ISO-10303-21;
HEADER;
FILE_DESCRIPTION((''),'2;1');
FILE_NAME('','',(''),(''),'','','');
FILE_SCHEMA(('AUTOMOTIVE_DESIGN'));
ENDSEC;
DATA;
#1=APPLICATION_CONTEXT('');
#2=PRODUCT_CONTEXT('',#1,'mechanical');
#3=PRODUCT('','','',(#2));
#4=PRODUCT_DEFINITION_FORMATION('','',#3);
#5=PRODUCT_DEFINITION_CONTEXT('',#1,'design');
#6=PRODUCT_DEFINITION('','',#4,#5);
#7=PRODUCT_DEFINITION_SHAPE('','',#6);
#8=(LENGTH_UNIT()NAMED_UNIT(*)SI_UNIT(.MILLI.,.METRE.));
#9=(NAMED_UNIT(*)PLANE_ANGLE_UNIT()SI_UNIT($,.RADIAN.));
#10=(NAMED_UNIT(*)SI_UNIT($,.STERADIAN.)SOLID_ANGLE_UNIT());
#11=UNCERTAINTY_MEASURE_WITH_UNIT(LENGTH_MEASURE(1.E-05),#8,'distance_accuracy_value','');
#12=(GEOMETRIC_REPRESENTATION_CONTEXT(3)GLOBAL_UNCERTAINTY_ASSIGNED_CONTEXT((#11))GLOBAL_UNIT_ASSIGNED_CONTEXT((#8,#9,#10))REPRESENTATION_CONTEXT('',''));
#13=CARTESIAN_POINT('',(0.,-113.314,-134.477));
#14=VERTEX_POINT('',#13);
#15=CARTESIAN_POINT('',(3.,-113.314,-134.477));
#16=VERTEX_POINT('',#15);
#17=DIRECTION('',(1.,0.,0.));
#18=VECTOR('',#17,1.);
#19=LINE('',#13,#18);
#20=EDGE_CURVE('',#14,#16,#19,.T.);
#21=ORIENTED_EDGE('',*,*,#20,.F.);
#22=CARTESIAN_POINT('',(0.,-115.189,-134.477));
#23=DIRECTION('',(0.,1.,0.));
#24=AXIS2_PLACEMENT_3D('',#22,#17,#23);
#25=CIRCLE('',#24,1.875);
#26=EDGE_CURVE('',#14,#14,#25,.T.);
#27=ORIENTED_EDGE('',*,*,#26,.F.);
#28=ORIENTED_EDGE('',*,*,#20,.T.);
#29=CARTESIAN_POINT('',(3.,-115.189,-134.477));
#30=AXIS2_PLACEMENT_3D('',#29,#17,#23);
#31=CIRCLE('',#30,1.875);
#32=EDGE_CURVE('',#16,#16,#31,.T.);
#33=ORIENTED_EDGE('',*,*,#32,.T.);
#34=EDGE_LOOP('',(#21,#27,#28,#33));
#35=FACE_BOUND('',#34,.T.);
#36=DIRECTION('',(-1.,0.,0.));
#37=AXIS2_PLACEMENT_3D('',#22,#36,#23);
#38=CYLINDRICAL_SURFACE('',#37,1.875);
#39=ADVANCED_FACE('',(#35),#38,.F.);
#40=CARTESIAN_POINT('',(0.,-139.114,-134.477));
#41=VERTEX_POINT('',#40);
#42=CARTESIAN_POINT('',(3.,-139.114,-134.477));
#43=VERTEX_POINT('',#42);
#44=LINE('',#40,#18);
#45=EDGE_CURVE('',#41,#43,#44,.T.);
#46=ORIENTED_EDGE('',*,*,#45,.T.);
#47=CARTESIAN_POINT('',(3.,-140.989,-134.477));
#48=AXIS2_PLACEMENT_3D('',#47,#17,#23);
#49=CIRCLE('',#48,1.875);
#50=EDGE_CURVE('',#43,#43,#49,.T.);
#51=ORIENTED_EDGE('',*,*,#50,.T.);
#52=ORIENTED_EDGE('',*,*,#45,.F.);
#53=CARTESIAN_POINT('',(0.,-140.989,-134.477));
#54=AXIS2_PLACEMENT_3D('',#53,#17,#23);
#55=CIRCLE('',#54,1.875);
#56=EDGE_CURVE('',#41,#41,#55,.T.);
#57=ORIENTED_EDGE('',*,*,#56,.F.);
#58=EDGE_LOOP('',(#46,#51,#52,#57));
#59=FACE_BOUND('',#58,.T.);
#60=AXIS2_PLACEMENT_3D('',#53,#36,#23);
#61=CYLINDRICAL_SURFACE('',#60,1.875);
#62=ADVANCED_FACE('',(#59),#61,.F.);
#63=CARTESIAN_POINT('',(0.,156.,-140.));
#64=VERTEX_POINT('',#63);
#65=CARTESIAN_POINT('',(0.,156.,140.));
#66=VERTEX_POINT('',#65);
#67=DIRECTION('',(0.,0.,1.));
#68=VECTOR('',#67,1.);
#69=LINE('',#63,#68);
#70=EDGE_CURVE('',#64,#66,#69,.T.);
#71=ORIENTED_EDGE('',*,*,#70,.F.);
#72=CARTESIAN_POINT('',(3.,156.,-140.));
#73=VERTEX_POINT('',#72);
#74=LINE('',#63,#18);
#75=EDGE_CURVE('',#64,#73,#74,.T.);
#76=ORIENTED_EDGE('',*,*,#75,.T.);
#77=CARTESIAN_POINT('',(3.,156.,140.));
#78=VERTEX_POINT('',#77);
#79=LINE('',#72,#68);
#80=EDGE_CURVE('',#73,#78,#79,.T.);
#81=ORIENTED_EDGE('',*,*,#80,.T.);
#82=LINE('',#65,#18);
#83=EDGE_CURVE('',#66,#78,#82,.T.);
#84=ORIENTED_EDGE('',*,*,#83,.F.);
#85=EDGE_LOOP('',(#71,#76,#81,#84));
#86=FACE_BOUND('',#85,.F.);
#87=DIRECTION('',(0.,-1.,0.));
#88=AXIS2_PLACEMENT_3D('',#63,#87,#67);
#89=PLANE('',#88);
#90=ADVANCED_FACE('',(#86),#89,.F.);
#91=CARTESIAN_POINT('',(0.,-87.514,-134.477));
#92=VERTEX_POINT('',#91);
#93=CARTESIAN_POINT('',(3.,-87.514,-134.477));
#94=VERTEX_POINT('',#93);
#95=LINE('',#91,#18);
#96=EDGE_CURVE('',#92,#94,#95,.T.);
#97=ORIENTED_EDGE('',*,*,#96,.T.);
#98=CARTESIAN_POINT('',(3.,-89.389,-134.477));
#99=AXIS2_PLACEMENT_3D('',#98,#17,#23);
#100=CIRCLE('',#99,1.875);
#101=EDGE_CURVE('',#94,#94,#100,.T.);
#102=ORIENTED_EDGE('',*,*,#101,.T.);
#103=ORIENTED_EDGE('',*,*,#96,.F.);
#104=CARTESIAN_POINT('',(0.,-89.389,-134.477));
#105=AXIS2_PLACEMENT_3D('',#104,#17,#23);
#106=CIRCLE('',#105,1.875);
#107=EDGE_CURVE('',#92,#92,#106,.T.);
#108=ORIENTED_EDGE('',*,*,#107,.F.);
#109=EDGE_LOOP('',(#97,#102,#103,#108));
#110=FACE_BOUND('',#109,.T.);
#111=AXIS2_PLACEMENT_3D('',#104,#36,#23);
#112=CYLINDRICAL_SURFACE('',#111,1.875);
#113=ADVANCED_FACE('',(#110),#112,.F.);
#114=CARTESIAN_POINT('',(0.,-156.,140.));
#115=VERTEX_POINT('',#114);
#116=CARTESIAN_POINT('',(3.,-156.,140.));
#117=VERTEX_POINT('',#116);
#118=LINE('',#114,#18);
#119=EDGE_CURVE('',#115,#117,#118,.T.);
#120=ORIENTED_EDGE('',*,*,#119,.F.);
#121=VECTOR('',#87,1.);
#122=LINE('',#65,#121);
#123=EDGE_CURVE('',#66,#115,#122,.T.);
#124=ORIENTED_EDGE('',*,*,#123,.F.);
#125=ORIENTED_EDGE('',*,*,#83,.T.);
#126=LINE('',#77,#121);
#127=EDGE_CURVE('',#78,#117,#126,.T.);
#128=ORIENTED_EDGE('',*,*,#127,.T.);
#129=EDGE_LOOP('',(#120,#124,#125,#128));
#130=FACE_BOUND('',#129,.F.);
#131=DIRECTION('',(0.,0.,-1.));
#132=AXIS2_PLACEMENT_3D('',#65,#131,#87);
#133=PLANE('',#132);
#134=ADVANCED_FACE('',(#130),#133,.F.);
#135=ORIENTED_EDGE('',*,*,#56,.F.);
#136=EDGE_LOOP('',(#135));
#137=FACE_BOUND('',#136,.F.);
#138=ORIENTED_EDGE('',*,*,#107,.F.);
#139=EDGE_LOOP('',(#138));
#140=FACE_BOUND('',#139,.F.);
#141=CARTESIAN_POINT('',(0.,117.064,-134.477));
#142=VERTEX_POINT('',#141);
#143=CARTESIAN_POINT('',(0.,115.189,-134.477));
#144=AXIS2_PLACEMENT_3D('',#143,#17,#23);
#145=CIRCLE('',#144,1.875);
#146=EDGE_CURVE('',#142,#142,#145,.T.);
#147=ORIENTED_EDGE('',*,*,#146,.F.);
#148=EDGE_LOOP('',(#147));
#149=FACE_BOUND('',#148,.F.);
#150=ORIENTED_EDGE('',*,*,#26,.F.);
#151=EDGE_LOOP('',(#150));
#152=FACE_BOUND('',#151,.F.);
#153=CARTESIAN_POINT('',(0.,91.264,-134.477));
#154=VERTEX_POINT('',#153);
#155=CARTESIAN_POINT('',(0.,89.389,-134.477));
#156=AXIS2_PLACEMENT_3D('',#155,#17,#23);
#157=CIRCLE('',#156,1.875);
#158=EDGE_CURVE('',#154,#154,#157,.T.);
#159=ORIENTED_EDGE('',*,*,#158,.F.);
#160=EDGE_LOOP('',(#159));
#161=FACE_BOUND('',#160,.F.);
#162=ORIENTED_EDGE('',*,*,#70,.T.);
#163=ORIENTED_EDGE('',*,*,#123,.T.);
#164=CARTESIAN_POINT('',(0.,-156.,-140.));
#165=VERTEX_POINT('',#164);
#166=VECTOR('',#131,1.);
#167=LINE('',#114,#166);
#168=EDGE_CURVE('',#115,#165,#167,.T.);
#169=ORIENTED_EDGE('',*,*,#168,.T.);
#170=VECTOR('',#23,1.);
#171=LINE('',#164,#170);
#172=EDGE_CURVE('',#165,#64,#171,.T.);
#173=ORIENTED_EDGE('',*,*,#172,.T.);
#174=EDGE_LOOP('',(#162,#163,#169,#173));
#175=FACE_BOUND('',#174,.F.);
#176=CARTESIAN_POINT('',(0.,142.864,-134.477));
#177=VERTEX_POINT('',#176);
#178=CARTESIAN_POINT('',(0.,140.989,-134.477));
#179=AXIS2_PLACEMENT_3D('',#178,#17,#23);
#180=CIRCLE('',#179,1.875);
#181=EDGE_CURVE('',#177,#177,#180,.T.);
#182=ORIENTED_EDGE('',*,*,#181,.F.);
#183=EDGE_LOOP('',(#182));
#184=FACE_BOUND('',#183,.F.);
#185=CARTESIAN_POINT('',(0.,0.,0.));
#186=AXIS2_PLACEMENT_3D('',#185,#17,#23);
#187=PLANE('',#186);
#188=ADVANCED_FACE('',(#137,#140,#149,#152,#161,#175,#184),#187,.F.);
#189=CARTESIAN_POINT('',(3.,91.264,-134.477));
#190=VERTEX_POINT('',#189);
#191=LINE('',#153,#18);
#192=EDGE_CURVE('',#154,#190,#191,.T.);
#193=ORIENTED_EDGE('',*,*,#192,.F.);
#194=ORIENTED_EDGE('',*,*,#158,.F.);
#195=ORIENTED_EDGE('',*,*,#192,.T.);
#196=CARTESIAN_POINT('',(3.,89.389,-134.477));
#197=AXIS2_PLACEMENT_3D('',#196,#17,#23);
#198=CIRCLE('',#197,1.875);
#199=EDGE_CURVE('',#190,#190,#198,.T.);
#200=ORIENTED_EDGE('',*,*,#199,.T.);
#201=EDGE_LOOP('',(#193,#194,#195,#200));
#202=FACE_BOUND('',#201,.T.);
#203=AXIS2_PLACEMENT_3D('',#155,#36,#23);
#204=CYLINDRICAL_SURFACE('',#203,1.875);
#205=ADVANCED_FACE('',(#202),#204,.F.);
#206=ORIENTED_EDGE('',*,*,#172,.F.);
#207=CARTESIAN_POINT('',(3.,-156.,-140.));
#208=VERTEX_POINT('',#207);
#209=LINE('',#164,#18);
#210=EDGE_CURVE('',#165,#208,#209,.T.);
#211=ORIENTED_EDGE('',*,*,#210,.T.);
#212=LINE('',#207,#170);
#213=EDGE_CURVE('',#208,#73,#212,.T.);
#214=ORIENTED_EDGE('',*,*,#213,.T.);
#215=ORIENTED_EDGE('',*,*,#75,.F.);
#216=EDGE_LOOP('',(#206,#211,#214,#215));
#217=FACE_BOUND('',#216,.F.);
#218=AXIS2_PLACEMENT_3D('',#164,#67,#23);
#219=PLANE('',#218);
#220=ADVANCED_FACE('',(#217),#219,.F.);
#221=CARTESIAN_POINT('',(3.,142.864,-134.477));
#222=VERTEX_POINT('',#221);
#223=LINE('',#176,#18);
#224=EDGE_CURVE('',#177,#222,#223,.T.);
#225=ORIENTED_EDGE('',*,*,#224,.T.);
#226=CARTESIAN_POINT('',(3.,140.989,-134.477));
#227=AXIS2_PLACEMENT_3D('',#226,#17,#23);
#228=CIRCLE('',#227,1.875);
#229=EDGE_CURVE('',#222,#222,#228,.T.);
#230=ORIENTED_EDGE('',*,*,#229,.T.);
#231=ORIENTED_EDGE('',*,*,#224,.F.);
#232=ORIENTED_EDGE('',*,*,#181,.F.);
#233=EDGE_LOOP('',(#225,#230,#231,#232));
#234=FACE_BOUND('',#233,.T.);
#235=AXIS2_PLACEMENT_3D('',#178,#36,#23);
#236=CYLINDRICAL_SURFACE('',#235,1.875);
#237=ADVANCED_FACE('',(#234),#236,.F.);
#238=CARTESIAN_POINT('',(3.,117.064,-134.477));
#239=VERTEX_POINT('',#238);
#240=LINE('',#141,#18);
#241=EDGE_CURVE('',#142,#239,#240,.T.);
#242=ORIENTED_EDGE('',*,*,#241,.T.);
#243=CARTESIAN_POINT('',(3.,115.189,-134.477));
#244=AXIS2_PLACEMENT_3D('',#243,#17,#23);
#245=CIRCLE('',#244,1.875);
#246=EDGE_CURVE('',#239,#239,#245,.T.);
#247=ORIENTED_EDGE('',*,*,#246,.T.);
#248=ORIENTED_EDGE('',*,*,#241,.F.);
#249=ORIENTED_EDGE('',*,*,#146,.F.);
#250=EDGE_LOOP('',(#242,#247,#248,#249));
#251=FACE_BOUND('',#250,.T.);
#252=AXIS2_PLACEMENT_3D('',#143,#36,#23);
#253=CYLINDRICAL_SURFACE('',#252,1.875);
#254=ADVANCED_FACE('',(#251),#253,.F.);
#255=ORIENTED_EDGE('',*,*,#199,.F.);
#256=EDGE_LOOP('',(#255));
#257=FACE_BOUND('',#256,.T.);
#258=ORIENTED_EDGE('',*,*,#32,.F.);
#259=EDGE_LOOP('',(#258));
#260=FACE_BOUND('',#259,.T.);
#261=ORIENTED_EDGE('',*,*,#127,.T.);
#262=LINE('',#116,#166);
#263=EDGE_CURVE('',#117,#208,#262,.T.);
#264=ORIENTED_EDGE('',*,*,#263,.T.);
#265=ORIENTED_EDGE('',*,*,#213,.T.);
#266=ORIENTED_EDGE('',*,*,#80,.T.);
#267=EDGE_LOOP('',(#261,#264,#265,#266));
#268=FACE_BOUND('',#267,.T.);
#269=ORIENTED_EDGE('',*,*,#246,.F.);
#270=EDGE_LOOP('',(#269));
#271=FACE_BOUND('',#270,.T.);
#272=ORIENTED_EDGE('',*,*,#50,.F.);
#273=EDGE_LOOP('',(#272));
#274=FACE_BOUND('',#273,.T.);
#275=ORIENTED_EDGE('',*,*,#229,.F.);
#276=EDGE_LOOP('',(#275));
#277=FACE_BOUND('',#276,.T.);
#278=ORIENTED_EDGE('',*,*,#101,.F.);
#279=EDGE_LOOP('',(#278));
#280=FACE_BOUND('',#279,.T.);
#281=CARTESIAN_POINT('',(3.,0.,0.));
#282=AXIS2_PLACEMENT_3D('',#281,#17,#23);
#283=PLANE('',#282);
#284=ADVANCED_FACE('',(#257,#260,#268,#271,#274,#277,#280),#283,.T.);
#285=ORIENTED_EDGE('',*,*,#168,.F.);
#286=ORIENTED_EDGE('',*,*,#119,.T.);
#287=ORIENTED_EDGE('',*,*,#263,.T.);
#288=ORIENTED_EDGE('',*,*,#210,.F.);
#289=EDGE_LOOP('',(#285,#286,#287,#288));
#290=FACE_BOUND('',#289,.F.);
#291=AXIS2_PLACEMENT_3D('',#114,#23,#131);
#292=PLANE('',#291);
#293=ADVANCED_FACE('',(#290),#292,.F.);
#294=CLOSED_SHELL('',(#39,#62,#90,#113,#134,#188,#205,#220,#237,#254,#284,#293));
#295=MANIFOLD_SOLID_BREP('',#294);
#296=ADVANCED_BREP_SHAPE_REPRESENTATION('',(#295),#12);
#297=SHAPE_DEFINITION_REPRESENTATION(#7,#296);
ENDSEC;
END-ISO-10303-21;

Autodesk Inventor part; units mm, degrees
ref_plane "YZ Plane" through (0, 0, 0) normal (1, 0, 0) x (0, 1, 0)
ref_plane "XZ Plane" through (0, 0, 0) normal (0, 1, 0) x (-1, 0, 0)
ref_plane "XY Plane" through (0, 0, 0) normal (0, 0, 1) x (1, 0, 0)
sketch "Sketch1" plane through (0, 0, 0) normal (1, 0, 0) x (0, 1, 0)
  line L0 (156, 140) -> (-156, 140)
  line L1 (-156, 140) -> (-156, -140)
  line L2 (-156, -140) -> (156, -140)
  line L3 (156, -140) -> (156, 140)
  line L4 (156, 140) -> (-156, -140) construction
  line L5 (-156, 140) -> (156, -140) construction
  circle A0 centre (140.989, -134.477) radius 1.875
  circle A1 centre (115.189, -134.477) radius 1.875
  circle A2 centre (89.389, -134.477) radius 1.875
  line L6 (0, 0) -> (0, -46.8425)
  circle A3 centre (-140.989, -134.477) radius 1.875
  circle A4 centre (-115.189, -134.477) radius 1.875
  circle A5 centre (-89.389, -134.477) radius 1.875
  dimension "d0" = 312
  dimension "d1" = 280
  dimension "d2" = 3.75
  dimension "d3" = 3.75
  dimension "d4" = 15.011
  dimension "d5" = 3.75
  dimension "d6" = 25.8
  dimension "d7" = 25.8
  dimension "d8" = 5.523
extrude "Extrusion1" add sketch "Sketch1" along normal blind 3
properties part number "Front"
